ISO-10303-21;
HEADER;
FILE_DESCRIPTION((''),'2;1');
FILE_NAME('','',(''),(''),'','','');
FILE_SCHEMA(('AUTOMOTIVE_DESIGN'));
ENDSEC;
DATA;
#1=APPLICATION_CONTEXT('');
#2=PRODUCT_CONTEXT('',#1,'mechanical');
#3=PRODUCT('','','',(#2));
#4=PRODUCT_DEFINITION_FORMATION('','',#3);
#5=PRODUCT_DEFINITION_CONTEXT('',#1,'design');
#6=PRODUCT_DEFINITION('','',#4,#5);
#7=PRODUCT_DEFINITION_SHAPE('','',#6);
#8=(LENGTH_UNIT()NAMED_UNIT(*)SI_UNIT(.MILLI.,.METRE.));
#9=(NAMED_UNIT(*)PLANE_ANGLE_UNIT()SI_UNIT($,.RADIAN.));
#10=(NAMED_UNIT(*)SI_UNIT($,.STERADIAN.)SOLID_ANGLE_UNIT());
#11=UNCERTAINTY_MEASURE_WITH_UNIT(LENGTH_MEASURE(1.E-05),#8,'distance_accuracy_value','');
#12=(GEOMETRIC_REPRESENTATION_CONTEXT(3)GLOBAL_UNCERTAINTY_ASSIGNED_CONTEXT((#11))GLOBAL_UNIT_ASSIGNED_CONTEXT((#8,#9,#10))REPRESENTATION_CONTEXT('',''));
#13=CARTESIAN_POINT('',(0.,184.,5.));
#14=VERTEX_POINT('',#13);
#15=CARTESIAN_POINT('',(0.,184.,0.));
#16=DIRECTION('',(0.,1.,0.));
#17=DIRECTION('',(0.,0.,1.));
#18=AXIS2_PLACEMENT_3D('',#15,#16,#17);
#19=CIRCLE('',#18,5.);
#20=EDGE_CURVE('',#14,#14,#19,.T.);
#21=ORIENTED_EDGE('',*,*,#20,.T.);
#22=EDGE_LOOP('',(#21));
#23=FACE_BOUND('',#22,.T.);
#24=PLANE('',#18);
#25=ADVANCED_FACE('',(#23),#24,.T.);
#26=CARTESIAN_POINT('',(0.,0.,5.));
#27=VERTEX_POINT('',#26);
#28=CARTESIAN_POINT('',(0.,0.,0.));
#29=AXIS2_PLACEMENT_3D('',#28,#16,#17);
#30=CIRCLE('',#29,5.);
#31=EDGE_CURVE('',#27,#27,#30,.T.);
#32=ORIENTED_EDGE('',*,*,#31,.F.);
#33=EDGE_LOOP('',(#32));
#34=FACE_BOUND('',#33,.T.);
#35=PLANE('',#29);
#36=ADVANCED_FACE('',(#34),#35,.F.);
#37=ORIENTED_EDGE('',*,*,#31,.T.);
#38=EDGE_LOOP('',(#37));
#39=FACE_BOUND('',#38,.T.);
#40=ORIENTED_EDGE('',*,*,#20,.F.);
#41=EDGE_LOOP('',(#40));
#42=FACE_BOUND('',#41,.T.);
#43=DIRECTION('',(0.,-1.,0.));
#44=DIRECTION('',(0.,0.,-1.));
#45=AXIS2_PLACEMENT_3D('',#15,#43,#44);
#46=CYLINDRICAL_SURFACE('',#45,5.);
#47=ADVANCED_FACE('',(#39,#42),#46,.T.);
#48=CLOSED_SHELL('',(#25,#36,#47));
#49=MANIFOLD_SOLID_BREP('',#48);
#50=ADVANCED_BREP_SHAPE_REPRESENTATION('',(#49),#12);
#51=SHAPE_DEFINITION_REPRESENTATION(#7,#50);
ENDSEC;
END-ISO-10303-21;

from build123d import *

# Parameters (mm, degrees)
IZIM1_R                     = 5
Y_KSEKLIK_EKSTR_ZYON1_DEPTH = 184


with BuildPart() as part:
    # Çizim1 → Yükseklik-Ekstrüzyon1 (new body)
    with BuildSketch(Plane(origin=(0, 0, 0), x_dir=(1, 0, 0), z_dir=(0, 1, 0))):
        with Locations(Location((0, 0, 0), (0, 0, 270))):
            Circle(IZIM1_R)
    extrude(amount=Y_KSEKLIK_EKSTR_ZYON1_DEPTH)


solid = part.part
